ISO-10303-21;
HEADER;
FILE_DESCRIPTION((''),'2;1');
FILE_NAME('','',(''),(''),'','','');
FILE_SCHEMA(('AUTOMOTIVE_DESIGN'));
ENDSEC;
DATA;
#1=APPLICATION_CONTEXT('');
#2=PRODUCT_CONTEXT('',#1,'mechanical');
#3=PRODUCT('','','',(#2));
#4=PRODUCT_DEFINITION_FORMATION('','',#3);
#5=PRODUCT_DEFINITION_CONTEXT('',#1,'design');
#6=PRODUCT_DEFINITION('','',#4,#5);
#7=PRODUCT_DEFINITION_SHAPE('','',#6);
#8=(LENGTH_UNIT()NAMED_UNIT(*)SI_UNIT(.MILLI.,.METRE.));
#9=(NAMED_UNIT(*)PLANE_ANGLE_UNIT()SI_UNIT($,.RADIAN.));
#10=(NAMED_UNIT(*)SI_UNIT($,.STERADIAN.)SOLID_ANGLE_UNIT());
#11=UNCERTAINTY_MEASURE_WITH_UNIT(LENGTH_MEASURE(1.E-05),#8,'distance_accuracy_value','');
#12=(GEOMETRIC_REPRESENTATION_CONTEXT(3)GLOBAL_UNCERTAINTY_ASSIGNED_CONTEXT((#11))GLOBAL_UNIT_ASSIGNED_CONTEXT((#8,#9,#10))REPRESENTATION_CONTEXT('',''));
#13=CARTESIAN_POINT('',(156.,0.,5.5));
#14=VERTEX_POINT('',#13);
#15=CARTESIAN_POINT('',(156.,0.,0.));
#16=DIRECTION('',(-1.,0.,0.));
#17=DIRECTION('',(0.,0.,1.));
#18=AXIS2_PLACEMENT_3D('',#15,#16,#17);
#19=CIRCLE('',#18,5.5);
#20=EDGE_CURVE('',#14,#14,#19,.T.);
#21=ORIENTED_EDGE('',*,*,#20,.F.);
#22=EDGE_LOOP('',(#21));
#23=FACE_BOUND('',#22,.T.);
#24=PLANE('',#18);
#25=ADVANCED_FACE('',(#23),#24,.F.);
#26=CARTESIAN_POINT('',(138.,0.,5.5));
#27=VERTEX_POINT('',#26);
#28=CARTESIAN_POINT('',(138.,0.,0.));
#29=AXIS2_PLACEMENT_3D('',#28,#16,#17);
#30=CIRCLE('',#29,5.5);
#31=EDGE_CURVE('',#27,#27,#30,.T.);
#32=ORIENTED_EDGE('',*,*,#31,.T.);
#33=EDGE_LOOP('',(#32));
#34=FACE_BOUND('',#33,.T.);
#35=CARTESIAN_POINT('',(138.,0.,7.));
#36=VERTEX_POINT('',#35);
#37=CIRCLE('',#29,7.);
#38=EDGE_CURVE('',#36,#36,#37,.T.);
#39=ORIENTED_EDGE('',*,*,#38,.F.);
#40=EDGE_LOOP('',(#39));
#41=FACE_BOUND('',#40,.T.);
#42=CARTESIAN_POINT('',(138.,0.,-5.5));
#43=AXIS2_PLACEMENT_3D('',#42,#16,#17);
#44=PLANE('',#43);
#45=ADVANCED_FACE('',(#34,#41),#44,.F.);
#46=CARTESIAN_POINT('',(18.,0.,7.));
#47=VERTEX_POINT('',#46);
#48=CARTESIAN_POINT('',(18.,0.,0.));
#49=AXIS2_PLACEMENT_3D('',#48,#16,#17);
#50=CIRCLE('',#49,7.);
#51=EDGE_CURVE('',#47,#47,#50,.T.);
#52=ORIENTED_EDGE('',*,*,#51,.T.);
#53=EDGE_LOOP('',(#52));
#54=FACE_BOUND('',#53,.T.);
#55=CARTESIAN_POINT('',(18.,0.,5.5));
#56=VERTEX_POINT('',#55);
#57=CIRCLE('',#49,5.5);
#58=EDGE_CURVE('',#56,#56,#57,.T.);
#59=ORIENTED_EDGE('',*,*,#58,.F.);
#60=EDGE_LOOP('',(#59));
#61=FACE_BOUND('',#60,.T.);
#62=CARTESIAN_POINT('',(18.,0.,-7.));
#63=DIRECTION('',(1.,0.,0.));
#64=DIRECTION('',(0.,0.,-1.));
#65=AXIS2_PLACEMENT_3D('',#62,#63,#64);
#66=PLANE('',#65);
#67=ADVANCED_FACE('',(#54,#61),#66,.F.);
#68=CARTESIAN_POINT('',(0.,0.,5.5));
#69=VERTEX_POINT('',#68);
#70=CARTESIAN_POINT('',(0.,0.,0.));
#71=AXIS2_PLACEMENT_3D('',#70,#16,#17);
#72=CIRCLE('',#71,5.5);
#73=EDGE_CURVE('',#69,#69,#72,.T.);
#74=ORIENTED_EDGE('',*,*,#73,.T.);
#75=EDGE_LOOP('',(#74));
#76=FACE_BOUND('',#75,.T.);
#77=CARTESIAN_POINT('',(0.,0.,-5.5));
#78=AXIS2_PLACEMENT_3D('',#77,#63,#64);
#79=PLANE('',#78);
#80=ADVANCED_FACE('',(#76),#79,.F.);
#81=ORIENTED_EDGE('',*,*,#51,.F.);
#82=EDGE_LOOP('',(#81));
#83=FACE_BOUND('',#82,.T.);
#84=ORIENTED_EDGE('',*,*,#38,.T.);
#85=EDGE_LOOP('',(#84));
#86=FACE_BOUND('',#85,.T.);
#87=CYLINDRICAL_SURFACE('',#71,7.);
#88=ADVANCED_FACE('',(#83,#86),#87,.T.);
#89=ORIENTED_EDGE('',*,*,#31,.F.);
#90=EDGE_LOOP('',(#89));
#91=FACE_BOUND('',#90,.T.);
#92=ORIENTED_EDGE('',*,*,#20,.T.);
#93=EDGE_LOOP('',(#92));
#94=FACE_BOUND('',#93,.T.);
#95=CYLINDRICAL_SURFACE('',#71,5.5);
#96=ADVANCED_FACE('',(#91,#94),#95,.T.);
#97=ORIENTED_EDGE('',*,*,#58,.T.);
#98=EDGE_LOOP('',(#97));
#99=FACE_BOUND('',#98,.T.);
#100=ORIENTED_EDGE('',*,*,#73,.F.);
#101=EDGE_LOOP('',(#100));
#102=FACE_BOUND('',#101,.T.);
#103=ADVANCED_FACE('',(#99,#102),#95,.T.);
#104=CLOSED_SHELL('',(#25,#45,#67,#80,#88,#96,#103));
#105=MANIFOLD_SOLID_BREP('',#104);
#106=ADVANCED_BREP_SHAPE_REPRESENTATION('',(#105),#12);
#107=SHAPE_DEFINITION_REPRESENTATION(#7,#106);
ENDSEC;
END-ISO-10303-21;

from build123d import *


with BuildPart() as part:
    # Sketch1 → Revolve1 (revolve)
    with BuildSketch(Plane(origin=(0, 0, 0), x_dir=(1, 0, 0), z_dir=(0, 1, 0)), mode=Mode.PRIVATE) as revolve1_sk:
        Polygon((0, 0), (156, 0), (156, 5.5), (138, 5.5), (138, 7), (18, 7), (18, 5.5), (0, 5.5), align=None)
    revolve(revolve1_sk.sketch.rotate(Axis((0, 0, 0), (1, 0, 0)), 180), axis=Axis((0, 0, 0), (1, 0, 0)))


solid = part.part
